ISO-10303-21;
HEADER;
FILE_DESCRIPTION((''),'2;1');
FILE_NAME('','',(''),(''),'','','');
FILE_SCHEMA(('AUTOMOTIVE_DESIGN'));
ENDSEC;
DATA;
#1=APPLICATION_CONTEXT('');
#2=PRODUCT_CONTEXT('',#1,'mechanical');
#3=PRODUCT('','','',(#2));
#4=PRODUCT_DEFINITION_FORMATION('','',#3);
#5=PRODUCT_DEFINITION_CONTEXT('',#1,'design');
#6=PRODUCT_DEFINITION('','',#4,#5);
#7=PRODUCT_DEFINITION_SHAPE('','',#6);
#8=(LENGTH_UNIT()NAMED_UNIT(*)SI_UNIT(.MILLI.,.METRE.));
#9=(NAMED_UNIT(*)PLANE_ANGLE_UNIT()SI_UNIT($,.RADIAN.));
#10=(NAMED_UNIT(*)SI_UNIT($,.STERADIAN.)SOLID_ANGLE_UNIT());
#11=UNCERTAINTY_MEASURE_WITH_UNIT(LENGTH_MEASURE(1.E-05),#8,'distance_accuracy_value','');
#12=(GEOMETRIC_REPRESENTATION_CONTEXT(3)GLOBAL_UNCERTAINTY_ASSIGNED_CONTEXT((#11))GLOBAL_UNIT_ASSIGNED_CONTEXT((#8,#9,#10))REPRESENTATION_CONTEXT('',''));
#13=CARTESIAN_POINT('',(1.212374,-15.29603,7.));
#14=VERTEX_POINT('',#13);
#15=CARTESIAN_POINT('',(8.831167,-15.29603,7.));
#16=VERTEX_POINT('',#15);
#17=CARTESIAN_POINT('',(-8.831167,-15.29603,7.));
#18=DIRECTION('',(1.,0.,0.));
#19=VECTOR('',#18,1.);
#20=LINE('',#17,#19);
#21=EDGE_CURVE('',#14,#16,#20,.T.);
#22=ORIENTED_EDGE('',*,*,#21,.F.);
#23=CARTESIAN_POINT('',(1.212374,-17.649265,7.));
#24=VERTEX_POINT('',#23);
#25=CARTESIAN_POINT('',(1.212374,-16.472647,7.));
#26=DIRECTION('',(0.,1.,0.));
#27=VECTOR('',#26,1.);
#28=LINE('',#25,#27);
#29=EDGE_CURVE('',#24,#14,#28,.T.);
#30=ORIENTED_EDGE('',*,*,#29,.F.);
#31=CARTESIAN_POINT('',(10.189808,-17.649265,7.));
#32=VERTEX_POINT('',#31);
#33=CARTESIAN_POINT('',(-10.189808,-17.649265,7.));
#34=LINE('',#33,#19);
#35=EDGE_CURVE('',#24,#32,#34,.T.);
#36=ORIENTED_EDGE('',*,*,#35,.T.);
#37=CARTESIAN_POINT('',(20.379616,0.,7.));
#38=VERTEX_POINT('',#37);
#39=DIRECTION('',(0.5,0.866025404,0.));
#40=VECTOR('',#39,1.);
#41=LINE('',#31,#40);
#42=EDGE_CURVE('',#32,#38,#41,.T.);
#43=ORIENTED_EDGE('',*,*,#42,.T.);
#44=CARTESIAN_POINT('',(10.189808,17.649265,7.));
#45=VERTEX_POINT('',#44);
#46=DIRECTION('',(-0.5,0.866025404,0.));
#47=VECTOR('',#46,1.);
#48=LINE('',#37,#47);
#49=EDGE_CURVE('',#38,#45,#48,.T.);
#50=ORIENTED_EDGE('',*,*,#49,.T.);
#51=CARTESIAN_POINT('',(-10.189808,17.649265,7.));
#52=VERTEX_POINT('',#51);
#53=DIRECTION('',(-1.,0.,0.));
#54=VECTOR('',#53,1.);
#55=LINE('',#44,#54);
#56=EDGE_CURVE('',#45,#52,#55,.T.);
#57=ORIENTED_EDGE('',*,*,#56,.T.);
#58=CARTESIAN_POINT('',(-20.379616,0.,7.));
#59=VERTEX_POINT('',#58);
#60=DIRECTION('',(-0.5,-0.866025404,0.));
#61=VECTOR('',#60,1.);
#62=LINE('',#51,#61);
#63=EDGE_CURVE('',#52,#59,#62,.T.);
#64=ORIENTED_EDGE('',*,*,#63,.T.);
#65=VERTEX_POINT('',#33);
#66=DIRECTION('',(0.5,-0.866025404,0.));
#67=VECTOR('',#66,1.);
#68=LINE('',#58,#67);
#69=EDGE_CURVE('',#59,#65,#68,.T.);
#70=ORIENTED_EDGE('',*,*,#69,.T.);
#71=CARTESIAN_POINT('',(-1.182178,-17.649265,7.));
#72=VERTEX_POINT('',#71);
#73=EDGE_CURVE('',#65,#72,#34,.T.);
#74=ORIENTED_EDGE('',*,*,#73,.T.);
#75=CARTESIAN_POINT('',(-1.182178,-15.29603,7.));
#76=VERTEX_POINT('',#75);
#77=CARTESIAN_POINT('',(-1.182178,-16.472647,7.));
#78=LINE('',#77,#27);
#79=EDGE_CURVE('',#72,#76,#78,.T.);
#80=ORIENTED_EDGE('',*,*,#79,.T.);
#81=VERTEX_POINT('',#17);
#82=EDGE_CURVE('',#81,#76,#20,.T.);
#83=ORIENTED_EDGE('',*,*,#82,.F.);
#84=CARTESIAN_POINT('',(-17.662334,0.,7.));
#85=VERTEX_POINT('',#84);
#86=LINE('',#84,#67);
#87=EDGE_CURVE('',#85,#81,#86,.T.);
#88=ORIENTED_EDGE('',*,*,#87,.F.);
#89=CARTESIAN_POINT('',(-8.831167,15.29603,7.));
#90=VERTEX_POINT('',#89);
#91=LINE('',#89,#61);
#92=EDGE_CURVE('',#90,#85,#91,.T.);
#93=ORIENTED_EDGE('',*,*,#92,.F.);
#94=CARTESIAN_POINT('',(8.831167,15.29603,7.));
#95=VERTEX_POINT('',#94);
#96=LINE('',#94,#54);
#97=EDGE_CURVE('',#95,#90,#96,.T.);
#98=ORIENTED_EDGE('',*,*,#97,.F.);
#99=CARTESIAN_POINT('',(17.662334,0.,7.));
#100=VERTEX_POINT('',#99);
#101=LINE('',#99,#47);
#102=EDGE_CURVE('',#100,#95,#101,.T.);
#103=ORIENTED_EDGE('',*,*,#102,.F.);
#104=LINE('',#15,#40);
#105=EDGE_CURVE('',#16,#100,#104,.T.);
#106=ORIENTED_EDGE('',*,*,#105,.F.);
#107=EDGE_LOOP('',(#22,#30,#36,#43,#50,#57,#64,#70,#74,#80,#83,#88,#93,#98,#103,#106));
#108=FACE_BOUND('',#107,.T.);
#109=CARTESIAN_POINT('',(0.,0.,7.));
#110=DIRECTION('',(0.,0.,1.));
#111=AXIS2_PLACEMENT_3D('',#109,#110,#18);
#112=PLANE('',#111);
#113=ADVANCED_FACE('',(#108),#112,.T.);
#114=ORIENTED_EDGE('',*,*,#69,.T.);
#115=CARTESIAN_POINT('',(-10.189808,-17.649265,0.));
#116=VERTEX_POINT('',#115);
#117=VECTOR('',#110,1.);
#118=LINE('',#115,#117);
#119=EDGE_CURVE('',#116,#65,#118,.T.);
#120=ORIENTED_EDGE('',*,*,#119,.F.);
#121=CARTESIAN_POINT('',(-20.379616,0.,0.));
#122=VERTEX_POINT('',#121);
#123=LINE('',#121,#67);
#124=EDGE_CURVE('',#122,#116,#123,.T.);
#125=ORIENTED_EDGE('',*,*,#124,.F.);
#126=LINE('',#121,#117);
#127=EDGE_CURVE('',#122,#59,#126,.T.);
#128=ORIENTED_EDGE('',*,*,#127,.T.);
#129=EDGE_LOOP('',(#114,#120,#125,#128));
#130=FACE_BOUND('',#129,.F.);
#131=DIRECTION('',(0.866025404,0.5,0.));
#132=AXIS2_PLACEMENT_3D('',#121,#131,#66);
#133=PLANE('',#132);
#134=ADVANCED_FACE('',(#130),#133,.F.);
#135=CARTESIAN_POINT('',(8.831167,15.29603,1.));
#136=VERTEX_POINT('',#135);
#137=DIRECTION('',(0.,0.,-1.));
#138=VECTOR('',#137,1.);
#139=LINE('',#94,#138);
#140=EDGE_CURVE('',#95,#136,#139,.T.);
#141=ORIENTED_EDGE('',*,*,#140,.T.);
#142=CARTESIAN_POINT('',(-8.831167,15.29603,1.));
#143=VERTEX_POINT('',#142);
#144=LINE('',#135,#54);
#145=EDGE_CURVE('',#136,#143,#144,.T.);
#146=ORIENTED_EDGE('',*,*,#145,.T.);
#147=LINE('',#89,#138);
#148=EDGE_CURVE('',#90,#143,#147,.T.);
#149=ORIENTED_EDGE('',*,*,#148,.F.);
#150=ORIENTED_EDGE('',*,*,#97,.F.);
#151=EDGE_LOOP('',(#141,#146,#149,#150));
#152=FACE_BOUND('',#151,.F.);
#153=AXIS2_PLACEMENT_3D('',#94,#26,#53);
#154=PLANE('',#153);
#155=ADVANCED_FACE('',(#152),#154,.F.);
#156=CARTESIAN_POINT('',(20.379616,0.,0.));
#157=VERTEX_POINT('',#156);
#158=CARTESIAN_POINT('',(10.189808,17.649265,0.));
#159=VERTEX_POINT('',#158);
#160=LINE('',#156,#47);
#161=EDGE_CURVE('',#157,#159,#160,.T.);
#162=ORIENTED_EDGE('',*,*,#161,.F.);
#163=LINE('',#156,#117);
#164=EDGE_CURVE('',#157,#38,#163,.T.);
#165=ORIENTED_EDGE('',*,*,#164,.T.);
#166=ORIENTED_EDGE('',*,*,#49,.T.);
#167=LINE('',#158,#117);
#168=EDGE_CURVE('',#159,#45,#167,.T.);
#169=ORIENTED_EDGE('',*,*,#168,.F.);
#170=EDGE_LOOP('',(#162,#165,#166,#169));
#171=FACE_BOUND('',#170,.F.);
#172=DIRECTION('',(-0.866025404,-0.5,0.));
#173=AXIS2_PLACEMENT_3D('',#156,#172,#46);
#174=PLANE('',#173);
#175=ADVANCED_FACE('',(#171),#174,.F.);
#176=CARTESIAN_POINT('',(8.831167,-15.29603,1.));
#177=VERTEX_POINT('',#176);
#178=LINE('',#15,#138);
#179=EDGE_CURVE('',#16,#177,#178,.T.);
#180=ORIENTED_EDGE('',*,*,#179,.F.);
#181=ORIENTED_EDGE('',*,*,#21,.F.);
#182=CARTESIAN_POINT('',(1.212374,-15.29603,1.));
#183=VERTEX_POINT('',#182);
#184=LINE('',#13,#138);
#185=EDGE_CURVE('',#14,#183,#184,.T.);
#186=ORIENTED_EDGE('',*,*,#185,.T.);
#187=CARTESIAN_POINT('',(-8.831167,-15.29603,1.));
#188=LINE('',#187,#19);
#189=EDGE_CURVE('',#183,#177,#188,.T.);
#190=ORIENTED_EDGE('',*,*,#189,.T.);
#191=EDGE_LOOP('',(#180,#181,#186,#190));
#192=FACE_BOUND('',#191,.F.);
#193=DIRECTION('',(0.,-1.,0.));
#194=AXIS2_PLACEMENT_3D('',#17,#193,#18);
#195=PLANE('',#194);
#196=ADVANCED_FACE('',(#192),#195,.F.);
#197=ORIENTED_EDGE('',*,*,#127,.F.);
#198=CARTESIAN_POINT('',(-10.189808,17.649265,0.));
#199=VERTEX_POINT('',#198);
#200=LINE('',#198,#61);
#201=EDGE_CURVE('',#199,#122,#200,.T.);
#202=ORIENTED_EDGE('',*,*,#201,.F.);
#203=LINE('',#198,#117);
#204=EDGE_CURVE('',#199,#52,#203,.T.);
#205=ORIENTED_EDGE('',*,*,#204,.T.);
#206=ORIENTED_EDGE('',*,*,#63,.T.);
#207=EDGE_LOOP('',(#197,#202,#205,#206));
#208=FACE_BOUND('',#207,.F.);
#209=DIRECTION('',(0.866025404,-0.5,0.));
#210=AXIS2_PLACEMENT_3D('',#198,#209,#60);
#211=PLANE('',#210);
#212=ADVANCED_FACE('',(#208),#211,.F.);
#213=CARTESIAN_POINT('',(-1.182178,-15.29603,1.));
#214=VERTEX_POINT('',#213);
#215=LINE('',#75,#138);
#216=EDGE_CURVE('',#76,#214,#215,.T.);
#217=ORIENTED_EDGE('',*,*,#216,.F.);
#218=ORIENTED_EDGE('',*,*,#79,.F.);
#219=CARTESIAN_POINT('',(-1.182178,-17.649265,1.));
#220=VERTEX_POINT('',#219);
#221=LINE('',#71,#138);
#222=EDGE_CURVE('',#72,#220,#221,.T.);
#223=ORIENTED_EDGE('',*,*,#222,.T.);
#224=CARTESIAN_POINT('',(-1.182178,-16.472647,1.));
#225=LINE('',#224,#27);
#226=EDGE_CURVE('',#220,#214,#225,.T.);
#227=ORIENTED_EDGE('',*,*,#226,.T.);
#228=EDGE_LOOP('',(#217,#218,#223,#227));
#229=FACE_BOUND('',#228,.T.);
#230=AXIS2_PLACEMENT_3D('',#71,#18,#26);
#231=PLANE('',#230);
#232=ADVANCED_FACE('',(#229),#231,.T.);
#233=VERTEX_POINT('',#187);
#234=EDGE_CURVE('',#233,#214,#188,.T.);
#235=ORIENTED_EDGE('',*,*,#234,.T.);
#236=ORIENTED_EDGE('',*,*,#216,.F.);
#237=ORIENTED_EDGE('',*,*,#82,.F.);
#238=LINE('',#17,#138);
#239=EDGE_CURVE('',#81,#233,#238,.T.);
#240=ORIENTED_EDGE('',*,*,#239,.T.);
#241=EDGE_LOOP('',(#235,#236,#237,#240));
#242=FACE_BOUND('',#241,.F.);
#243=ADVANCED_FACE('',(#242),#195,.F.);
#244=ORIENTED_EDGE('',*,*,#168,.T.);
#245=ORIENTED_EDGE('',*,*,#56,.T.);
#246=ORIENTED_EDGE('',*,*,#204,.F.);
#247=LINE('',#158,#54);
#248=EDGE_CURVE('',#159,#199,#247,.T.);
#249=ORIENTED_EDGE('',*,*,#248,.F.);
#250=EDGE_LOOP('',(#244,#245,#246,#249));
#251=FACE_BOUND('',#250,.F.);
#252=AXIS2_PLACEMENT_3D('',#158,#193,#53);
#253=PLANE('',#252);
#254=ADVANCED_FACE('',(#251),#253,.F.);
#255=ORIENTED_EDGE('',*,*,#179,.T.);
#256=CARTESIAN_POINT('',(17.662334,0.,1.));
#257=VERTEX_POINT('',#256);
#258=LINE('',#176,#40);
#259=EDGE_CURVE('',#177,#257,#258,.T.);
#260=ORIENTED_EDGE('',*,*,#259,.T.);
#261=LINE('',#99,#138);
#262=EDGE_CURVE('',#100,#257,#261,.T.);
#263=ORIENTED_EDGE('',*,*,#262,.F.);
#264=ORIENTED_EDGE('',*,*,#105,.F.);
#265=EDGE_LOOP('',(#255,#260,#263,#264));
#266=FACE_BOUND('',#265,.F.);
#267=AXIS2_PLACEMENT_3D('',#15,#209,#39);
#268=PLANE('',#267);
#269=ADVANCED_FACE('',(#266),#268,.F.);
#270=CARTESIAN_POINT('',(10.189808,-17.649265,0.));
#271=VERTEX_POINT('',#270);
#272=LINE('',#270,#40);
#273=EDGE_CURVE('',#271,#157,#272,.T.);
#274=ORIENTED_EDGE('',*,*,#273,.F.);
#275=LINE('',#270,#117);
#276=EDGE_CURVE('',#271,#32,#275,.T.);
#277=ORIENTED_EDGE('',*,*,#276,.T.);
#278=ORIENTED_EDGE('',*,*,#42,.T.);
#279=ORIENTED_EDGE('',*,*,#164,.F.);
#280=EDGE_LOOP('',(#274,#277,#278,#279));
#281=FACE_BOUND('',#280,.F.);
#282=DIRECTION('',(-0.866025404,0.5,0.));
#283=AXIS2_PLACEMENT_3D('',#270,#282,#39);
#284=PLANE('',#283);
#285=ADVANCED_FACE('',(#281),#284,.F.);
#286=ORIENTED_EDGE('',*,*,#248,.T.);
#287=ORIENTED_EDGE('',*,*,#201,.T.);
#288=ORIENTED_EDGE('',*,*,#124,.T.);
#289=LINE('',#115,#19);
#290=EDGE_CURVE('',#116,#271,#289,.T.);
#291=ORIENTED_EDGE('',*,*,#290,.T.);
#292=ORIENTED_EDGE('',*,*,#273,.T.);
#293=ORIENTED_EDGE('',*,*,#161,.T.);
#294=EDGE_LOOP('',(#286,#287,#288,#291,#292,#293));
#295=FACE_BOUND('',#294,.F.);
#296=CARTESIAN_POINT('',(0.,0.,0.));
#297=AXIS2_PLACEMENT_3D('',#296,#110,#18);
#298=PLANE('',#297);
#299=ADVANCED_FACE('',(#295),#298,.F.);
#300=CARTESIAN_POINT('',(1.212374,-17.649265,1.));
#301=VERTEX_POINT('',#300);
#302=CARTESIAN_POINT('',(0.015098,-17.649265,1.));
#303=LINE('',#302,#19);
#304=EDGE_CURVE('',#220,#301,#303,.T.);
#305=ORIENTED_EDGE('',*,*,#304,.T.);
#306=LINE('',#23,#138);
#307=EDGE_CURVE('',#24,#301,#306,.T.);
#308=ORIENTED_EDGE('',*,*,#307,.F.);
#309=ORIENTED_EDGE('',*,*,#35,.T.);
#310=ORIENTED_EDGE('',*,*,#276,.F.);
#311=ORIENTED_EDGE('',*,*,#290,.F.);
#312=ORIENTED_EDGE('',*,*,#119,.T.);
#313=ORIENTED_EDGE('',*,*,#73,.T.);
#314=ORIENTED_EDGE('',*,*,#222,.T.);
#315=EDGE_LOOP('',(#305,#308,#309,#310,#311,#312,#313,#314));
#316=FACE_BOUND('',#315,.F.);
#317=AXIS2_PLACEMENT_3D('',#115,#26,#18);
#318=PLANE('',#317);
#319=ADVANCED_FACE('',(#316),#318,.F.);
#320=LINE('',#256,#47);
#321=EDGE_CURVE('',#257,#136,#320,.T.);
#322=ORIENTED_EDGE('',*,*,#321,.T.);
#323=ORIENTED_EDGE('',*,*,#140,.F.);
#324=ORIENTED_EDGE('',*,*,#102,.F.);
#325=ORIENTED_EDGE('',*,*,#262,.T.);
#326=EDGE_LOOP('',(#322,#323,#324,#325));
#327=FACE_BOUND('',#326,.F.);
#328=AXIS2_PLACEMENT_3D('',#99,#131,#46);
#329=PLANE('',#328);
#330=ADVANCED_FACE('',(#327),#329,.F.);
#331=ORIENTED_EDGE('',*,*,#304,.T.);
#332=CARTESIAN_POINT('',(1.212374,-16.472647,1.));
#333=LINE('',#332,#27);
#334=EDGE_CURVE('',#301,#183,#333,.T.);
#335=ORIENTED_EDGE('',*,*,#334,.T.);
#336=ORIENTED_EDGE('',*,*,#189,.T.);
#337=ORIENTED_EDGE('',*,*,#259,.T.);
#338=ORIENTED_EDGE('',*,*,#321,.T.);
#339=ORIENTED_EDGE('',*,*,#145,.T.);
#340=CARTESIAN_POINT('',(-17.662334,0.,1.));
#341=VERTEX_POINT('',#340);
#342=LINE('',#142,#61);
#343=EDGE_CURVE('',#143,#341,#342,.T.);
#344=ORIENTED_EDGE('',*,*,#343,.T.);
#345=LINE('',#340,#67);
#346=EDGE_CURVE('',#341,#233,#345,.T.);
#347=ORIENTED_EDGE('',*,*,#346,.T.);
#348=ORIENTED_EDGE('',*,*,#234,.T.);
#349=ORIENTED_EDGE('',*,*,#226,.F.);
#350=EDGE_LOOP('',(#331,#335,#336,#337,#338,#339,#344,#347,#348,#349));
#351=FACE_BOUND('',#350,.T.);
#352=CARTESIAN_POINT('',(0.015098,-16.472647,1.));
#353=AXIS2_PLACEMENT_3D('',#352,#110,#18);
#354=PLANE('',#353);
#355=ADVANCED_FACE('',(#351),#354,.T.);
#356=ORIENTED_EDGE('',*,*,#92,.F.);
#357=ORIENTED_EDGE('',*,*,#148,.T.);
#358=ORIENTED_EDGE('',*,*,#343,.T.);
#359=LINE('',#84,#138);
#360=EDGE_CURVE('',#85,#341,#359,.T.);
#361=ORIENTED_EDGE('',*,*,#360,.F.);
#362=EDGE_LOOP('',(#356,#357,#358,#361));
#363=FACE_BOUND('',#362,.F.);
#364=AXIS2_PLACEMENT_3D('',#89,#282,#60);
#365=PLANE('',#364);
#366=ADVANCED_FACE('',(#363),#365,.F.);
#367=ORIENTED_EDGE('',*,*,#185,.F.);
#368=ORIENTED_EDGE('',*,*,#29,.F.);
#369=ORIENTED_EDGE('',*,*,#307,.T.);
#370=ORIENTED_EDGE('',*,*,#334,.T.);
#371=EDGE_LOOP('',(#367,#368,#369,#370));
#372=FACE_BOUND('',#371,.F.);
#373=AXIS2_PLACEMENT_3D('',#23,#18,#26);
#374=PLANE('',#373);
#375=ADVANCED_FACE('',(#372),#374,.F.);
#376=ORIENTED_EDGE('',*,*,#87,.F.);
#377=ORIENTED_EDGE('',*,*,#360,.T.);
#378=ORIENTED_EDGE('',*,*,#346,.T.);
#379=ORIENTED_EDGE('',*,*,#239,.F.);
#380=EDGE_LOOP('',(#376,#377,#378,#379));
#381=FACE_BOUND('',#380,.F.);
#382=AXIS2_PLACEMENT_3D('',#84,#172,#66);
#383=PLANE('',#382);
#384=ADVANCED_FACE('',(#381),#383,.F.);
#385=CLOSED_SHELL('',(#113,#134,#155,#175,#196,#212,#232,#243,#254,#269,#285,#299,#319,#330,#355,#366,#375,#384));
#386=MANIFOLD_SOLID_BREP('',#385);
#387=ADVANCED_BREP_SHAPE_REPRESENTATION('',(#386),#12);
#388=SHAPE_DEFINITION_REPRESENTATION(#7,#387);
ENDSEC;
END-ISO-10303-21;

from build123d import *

# Parameters (mm, degrees)
F1_DEPTH = 7
F3_DEPTH = 6
F4_W     = 2.3945512949
F4_H     = 2.3532351479
F5_DEPTH = 6


with BuildPart() as f1:
    # F0 (on Top) → F1 (new body)
    with BuildSketch(Plane.XY):
        Polygon((-10.1898079023, -17.6492650062), (10.1898079023, -17.6492650062), (20.3796158046, 0), (10.1898079023, 17.6492650062), (-10.1898079023, 17.6492650062), (-20.3796158046, 0), align=None)
    extrude(amount=F1_DEPTH)

    # F2 (on face) → F3 (cut)
    with BuildSketch(Plane.XY.offset(7)):
        Polygon((-8.8311669562, -15.2960298583), (8.8311669562, -15.2960298583), (17.6623339124, 0), (8.8311669562, 15.2960298583), (-8.8311669562, 15.2960298583), (-17.6623339124, 0), align=None)
    extrude(amount=-F3_DEPTH, mode=Mode.SUBTRACT)

    # F4 (on face) → F5 (cut)
    with BuildSketch(Plane.XY.offset(7)):
        with Locations((0.0150980777, -16.4726474322)):
            Rectangle(F4_W, F4_H)
    extrude(amount=-F5_DEPTH, mode=Mode.SUBTRACT)


solid = f1.part
